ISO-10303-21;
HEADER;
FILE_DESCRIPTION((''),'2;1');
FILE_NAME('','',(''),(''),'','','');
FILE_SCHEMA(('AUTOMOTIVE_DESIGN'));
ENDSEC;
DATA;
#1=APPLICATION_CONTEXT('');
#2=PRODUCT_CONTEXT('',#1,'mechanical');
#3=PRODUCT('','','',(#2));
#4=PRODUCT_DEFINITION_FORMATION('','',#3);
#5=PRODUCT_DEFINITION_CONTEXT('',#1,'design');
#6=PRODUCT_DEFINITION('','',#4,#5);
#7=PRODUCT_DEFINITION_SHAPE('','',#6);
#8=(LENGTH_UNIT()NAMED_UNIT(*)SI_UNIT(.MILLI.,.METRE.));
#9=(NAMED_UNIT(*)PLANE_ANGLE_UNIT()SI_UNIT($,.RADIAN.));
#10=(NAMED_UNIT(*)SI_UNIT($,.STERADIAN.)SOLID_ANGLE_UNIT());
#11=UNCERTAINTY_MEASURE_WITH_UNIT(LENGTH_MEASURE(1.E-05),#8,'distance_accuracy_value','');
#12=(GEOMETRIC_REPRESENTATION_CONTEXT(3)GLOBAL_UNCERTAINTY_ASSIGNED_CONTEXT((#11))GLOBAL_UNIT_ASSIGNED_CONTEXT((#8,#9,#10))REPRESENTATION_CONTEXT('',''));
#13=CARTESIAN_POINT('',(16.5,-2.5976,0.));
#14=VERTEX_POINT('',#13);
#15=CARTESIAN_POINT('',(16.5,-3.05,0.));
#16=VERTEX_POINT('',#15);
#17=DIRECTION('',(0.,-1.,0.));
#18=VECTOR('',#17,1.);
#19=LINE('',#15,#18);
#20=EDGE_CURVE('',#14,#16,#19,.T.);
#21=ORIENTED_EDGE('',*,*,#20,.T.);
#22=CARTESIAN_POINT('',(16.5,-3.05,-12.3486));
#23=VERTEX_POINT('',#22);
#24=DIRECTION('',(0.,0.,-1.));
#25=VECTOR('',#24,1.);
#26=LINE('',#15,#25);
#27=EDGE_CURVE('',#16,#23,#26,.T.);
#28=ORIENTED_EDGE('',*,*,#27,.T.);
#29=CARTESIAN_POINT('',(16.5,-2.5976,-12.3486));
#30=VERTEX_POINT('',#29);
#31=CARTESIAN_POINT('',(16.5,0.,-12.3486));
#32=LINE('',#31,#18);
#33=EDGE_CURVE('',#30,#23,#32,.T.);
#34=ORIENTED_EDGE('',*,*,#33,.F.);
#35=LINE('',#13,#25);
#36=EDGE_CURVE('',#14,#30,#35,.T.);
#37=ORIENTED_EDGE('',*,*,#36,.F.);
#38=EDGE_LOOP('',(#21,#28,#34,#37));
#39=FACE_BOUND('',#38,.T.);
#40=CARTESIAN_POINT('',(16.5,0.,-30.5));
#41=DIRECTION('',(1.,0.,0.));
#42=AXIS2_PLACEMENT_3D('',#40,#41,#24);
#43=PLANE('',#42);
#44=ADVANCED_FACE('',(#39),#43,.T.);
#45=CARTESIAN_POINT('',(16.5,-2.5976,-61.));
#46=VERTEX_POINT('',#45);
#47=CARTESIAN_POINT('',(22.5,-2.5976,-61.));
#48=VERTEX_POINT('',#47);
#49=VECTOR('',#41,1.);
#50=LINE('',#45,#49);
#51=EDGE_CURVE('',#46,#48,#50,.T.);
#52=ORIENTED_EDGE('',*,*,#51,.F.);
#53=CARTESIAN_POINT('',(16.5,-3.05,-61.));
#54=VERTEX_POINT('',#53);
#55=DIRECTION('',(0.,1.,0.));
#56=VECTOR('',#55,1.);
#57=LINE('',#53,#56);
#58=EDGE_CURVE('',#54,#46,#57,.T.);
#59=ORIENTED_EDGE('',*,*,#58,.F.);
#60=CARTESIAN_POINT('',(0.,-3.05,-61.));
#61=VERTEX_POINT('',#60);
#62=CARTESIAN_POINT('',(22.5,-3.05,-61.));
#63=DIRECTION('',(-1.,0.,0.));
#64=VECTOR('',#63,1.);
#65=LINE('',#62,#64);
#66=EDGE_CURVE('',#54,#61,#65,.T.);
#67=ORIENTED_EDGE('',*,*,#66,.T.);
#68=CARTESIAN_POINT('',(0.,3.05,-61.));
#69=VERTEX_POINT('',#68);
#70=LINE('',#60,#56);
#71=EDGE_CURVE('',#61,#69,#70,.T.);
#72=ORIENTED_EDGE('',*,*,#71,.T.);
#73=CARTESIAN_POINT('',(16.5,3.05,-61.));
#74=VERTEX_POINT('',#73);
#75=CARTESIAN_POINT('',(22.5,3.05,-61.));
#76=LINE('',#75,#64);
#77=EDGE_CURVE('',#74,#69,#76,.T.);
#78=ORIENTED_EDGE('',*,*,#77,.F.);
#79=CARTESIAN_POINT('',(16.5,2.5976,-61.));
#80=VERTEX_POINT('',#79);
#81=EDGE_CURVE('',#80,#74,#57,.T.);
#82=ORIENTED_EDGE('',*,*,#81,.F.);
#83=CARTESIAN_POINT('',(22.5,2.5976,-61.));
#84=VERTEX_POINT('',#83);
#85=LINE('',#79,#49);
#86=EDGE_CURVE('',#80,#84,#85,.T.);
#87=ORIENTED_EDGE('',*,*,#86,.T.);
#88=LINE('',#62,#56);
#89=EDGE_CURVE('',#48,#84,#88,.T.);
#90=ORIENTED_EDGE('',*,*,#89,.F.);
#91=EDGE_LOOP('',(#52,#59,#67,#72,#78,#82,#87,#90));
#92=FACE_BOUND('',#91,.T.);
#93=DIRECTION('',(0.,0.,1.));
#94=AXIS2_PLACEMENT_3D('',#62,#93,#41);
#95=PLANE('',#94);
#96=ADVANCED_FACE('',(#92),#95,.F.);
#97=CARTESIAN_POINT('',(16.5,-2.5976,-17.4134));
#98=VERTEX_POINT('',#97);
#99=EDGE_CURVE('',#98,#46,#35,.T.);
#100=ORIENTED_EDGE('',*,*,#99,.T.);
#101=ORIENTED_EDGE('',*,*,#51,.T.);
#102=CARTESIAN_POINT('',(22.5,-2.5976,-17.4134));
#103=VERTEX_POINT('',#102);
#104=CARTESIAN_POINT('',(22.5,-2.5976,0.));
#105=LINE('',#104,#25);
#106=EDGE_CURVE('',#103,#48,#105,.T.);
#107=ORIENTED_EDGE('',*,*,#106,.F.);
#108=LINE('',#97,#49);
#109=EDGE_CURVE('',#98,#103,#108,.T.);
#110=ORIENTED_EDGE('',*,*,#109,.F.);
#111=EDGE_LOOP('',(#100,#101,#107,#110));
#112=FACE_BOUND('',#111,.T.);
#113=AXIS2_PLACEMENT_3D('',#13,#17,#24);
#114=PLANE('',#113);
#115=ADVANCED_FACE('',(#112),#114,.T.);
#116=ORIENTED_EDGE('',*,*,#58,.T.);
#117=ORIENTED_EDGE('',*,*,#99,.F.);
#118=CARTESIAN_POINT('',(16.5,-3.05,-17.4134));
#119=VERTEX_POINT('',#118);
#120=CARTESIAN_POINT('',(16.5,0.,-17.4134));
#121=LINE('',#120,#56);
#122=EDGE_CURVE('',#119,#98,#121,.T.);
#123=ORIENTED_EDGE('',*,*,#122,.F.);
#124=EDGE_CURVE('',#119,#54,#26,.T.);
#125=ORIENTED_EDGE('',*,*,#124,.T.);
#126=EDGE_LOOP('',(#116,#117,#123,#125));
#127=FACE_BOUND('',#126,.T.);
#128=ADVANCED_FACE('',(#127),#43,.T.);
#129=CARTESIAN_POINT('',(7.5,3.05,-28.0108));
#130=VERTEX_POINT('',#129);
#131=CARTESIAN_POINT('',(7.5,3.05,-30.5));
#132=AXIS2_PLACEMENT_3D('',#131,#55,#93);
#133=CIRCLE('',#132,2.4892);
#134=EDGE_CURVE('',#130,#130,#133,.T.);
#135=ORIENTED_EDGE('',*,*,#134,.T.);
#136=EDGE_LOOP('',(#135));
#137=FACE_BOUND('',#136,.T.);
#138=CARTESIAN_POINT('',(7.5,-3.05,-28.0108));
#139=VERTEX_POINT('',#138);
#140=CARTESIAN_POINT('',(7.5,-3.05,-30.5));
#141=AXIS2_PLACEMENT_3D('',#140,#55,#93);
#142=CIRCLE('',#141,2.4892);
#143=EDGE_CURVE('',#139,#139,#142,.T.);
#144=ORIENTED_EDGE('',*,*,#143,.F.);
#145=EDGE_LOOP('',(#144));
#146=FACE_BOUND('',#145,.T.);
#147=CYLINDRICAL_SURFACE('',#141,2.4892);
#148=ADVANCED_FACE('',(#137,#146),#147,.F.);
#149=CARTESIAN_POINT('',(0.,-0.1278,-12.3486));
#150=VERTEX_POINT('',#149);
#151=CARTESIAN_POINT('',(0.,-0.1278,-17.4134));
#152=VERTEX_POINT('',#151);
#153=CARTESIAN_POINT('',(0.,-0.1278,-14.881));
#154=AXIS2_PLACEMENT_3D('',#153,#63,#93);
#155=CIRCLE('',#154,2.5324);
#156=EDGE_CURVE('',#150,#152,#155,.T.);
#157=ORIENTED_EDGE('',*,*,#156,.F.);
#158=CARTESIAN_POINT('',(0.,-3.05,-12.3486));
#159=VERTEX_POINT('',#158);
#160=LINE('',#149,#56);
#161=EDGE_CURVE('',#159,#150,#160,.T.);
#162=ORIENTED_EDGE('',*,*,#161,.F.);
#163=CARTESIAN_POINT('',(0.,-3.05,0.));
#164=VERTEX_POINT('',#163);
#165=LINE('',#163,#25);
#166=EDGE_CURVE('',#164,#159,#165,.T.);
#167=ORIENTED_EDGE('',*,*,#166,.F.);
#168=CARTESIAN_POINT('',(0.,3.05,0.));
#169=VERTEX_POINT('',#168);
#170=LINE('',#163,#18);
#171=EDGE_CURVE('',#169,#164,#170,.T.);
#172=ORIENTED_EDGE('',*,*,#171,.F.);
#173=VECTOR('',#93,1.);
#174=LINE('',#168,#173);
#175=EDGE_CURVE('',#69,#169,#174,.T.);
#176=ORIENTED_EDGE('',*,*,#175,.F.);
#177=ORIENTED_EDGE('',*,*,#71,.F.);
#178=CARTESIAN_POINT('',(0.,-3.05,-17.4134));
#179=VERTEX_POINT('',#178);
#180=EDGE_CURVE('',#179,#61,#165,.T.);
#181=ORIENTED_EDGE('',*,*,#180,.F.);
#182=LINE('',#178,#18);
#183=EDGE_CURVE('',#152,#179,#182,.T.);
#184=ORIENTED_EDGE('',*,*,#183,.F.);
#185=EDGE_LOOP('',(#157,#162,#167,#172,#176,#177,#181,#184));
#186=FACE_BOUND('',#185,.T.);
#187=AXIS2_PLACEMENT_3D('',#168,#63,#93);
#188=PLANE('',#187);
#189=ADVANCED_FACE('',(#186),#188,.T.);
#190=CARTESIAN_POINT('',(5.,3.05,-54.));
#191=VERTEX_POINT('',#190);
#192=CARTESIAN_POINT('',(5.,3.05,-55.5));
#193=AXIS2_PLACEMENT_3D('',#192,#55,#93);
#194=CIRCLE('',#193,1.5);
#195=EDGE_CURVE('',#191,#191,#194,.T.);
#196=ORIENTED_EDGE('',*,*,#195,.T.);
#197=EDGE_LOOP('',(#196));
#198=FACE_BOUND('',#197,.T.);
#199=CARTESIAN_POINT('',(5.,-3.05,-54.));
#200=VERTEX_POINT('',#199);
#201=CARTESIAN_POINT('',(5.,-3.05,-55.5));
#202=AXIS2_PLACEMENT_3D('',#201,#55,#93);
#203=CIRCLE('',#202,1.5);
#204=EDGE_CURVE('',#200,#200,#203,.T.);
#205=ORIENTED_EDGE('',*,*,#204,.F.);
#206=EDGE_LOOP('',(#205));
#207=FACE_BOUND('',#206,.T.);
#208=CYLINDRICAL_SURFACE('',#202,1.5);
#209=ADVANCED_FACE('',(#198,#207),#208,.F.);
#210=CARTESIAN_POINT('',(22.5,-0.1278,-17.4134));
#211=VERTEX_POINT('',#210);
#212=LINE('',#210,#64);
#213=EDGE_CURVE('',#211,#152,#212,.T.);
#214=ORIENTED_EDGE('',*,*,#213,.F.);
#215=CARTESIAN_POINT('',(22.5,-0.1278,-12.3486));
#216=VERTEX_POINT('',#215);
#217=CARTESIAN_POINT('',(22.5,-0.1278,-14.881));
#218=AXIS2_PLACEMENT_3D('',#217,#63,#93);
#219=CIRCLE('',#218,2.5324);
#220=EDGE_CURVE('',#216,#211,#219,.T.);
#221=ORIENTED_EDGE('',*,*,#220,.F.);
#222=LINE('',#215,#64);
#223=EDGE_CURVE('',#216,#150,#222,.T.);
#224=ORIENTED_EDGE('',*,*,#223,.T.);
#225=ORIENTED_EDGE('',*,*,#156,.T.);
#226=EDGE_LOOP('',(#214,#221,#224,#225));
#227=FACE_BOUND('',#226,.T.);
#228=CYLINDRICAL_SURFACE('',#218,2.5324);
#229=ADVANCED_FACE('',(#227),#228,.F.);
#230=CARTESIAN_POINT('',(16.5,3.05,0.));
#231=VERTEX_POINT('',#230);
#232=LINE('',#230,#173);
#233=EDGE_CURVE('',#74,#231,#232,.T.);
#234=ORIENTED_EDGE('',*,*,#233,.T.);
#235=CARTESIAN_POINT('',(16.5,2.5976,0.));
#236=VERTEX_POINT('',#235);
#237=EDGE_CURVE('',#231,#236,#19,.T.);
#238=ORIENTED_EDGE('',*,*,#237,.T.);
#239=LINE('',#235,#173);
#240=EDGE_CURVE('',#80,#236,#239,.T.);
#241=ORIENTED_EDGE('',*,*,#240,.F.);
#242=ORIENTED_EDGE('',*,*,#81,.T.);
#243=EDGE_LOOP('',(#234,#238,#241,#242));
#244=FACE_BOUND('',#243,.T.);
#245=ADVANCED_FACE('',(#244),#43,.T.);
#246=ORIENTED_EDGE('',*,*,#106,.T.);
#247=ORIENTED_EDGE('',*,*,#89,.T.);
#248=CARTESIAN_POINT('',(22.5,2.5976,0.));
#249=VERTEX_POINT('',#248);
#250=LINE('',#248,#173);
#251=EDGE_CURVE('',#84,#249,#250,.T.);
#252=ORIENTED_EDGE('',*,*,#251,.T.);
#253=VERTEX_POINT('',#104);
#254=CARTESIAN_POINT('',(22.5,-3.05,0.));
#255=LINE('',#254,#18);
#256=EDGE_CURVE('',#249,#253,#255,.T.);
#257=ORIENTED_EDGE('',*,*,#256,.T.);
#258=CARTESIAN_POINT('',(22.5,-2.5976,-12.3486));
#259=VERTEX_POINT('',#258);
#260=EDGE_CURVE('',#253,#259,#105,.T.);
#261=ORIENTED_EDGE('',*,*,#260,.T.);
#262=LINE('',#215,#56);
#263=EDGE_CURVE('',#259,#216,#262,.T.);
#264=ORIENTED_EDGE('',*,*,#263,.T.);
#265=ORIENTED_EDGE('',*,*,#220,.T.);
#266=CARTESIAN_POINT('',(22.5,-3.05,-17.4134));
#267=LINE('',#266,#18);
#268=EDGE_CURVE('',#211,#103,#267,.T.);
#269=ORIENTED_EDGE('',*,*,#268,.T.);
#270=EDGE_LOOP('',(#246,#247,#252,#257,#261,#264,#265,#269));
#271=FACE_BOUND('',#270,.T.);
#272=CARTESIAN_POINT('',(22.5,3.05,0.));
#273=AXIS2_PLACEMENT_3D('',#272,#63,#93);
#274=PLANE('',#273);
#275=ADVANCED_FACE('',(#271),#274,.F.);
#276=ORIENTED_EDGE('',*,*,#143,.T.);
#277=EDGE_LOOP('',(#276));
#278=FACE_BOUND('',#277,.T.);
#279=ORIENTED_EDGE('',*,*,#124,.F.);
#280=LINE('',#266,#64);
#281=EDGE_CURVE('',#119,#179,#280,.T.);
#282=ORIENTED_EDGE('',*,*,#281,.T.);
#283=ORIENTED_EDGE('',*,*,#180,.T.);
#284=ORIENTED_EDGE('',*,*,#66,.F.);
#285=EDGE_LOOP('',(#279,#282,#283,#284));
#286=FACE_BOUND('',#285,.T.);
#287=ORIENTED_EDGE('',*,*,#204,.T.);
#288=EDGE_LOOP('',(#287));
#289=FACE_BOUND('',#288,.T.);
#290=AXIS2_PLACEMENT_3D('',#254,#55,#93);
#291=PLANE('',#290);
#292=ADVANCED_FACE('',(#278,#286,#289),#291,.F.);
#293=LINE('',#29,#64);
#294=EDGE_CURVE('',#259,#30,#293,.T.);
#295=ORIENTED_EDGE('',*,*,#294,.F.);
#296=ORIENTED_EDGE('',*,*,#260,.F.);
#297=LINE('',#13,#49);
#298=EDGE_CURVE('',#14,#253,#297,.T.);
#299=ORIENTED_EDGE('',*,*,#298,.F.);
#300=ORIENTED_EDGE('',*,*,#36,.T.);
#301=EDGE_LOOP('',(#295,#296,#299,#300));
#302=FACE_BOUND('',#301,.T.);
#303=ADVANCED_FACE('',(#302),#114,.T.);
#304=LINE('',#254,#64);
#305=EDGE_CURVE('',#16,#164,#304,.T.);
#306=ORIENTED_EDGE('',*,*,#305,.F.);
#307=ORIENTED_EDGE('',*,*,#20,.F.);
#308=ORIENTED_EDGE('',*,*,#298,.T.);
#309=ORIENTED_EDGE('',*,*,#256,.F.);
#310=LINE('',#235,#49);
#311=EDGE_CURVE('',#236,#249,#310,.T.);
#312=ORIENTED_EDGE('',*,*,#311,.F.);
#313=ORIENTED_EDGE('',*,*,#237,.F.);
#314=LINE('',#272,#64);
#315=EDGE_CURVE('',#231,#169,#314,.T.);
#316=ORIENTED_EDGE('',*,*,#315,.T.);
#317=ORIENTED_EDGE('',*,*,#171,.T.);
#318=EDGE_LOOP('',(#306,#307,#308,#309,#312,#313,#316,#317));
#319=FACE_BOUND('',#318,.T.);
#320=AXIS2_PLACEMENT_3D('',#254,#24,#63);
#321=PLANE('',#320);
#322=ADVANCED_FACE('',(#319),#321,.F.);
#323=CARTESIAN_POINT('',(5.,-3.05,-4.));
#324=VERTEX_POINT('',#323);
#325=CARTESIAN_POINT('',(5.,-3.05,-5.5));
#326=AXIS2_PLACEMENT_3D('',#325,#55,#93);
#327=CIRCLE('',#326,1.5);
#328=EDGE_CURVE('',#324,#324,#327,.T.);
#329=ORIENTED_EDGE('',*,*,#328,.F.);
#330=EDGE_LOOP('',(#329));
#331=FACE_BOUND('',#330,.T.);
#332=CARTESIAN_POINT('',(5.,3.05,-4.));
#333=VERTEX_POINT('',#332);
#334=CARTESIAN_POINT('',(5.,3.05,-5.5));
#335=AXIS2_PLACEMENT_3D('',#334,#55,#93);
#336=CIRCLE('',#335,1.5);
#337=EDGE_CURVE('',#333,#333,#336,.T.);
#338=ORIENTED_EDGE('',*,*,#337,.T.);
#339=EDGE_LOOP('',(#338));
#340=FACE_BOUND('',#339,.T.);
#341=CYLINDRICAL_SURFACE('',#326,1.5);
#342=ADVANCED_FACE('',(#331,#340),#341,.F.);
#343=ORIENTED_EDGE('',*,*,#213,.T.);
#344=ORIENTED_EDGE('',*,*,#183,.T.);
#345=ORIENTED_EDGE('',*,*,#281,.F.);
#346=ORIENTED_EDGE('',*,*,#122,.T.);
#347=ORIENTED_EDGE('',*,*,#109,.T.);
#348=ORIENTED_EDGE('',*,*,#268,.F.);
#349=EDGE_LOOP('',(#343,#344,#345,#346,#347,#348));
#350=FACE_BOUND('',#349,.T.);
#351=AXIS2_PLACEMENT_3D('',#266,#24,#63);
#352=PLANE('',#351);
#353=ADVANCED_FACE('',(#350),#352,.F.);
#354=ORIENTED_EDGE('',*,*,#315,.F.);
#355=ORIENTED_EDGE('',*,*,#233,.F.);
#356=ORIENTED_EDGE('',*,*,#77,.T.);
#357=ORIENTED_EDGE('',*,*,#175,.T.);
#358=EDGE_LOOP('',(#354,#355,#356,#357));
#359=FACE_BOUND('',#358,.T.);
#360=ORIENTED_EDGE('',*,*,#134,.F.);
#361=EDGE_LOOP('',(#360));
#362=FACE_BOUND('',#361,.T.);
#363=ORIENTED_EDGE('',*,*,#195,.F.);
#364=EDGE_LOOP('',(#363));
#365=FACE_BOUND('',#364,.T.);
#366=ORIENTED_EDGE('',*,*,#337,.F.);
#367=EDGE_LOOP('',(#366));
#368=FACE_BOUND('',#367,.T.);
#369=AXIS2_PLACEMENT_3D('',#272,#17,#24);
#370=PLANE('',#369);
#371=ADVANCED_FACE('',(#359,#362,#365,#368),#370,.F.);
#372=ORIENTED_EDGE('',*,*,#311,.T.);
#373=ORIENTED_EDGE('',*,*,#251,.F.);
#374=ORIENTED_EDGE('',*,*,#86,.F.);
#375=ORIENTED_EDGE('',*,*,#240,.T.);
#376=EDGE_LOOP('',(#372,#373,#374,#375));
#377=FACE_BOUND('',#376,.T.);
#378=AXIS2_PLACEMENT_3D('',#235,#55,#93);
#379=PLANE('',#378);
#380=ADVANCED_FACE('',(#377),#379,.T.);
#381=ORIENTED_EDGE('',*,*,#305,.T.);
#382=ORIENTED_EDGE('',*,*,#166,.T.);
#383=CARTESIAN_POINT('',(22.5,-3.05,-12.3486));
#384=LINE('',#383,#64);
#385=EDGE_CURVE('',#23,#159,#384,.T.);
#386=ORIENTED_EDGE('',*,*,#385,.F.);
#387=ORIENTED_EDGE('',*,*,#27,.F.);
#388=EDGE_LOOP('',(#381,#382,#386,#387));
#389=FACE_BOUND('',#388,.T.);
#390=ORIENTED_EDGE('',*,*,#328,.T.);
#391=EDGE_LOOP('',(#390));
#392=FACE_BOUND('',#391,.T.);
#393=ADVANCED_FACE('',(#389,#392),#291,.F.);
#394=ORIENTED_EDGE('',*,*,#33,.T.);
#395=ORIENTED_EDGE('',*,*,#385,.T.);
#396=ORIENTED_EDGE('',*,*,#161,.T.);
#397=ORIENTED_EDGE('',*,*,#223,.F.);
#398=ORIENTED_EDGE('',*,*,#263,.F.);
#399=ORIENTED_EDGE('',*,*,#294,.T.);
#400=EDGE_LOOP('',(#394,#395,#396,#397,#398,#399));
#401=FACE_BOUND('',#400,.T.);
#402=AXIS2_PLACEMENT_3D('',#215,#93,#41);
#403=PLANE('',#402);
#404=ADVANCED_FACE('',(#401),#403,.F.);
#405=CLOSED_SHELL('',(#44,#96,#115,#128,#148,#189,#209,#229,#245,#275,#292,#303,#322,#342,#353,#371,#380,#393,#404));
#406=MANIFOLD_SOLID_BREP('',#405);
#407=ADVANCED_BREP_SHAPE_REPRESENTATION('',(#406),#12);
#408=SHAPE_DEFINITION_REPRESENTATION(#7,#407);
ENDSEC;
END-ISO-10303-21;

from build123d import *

# Parameters (mm, degrees)
SKETCH1_W           = 61
SKETCH1_H           = 6.1
BOSS_EXTRUDE1_DEPTH = 22.5
SKETCH2_OUTSIDE_W   = 76.06
SKETCH2_OUTSIDE_H   = 21.16
SKETCH2_OUTSIDE_W_2 = 61
SKETCH2_OUTSIDE_H_2 = 5.1952
CUT_EXTRUDE1_DEPTH  = 6
CUT_EXTRUDE3_DEPTH  = 23.5
SKETCH6_R           = 2.4892
CUT_EXTRUDE4_DEPTH  = 7.1
SKETCH7_R           = 1.5
CUT_EXTRUDE5_DEPTH  = 7.1


with BuildPart() as part:
    # Sketch1 → Boss-Extrude1 (new body)
    with BuildSketch(Plane(origin=(0, 0, 0), x_dir=(0, 0, -1), z_dir=(1, 0, 0))):
        with Locations((30.5, 0)):
            Rectangle(SKETCH1_W, SKETCH1_H)
    extrude(amount=BOSS_EXTRUDE1_DEPTH)

    # Sketch2 outside → Cut-Extrude1 (cut)
    with BuildSketch(Plane(origin=(22.5, 0, 0), x_dir=(0, 0, -1), z_dir=(1, 0, 0))):
        with Locations((30.5, 0)):
            Rectangle(SKETCH2_OUTSIDE_W, SKETCH2_OUTSIDE_H)
        with Locations((30.5, 0)):
            Rectangle(SKETCH2_OUTSIDE_W_2, SKETCH2_OUTSIDE_H_2, mode=Mode.SUBTRACT)
    extrude(amount=-CUT_EXTRUDE1_DEPTH, mode=Mode.SUBTRACT)

    # Sketch5 → Cut-Extrude3 (cut, through all)
    with BuildSketch(Plane.ZY):
        with BuildLine():
            Line((-12.3486, -0.1278), (-12.3486, -3.05))
            Line((-12.3486, -3.05), (-17.4134, -3.05))
            Line((-17.4134, -3.05), (-17.4134, -0.1278))
            ThreePointArc((-17.4134, -0.1278), (-14.881, 2.4046), (-12.3486, -0.1278))
        make_face()
    extrude(amount=-CUT_EXTRUDE3_DEPTH, mode=Mode.SUBTRACT)

    # Sketch6 → Cut-Extrude4 (cut, through all)
    with BuildSketch(Plane(origin=(0, 3.05, 0), x_dir=(1, 0, 0), z_dir=(0, 1, 0))):
        with Locations(Location((7.5, 30.5, 0), (0, 0, 270))):  # turned: the seam where the file's is
            Circle(SKETCH6_R)
    extrude(amount=-CUT_EXTRUDE4_DEPTH, mode=Mode.SUBTRACT)

    # Sketch7 → Cut-Extrude5 (cut, through all)
    with BuildSketch(Plane(origin=(0, 3.05, 0), x_dir=(1, 0, 0), z_dir=(0, 1, 0))):
        with Locations(Location((5, 55.5, 0), (0, 0, 270))):  # turned: the seam where the file's is
            Circle(SKETCH7_R)
        with Locations(Location((5, 5.5, 0), (0, 0, 270))):  # turned: the seam where the file's is
            Circle(SKETCH7_R)
    extrude(amount=-CUT_EXTRUDE5_DEPTH, mode=Mode.SUBTRACT)


solid = part.part
